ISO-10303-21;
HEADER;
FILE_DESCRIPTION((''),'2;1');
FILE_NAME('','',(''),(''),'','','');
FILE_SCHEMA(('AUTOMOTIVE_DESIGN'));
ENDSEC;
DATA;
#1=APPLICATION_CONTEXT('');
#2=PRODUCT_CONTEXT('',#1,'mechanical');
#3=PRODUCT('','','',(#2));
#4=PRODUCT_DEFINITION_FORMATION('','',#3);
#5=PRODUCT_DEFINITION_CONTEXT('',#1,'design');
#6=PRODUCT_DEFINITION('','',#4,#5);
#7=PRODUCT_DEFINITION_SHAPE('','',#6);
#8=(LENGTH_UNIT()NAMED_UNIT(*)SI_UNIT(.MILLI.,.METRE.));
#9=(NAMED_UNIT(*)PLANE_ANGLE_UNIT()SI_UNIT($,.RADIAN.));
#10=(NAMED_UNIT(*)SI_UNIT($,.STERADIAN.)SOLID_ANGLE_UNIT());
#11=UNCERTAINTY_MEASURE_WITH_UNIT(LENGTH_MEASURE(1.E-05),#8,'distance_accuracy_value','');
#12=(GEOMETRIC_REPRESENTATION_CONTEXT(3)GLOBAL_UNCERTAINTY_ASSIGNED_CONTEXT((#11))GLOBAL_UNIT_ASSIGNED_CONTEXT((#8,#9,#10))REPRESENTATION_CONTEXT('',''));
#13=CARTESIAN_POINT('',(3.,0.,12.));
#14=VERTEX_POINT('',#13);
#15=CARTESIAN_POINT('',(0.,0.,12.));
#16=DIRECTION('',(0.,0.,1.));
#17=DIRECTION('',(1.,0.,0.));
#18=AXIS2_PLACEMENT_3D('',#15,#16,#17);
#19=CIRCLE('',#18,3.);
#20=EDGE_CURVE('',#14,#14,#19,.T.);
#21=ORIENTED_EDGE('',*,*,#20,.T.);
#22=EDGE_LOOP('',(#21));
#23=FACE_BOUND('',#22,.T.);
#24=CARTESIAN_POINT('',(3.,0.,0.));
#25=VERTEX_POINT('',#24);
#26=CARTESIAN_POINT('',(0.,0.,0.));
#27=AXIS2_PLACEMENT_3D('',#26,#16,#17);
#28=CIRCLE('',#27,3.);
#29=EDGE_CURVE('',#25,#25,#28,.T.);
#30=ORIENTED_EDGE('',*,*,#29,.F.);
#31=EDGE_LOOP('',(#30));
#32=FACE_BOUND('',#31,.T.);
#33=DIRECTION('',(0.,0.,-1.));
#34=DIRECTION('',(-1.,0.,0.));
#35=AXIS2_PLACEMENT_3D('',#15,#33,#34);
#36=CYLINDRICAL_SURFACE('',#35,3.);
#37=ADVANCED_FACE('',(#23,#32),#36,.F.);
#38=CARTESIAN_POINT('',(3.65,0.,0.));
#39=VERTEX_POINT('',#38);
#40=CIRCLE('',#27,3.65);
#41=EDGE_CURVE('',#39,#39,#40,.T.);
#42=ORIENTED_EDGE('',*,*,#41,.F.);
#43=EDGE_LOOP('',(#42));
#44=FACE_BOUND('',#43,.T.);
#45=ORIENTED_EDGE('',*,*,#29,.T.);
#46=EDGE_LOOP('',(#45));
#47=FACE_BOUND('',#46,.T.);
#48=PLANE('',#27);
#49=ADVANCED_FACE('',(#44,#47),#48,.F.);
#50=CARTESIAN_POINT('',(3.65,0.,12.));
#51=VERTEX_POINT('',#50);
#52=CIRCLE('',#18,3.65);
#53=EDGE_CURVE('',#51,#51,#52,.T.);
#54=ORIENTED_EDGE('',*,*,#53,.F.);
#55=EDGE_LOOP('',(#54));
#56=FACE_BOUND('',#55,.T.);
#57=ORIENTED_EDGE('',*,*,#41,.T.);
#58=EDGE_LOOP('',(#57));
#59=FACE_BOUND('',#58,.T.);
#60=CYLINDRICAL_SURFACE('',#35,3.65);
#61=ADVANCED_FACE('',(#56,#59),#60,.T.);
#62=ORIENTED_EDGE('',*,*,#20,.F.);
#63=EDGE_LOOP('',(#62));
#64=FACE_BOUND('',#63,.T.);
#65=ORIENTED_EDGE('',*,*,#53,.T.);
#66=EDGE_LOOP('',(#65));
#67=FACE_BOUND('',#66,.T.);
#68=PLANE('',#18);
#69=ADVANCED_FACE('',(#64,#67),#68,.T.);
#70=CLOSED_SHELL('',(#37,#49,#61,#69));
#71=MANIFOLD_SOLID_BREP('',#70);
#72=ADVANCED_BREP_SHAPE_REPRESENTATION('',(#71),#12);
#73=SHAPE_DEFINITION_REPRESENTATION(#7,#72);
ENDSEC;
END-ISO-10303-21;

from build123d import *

# Parameters (mm, degrees)
SKETCH_1_R      = 3.65
SKETCH_1_R_2    = 3
EXTRUDE_1_DEPTH = 12


with BuildPart() as part:
    # Эскиз1 → Бобышка-Вытянуть1 (new body)
    with BuildSketch(Plane.XY):
        Circle(SKETCH_1_R)
        Circle(SKETCH_1_R_2, mode=Mode.SUBTRACT)
    extrude(amount=EXTRUDE_1_DEPTH)


solid = part.part
